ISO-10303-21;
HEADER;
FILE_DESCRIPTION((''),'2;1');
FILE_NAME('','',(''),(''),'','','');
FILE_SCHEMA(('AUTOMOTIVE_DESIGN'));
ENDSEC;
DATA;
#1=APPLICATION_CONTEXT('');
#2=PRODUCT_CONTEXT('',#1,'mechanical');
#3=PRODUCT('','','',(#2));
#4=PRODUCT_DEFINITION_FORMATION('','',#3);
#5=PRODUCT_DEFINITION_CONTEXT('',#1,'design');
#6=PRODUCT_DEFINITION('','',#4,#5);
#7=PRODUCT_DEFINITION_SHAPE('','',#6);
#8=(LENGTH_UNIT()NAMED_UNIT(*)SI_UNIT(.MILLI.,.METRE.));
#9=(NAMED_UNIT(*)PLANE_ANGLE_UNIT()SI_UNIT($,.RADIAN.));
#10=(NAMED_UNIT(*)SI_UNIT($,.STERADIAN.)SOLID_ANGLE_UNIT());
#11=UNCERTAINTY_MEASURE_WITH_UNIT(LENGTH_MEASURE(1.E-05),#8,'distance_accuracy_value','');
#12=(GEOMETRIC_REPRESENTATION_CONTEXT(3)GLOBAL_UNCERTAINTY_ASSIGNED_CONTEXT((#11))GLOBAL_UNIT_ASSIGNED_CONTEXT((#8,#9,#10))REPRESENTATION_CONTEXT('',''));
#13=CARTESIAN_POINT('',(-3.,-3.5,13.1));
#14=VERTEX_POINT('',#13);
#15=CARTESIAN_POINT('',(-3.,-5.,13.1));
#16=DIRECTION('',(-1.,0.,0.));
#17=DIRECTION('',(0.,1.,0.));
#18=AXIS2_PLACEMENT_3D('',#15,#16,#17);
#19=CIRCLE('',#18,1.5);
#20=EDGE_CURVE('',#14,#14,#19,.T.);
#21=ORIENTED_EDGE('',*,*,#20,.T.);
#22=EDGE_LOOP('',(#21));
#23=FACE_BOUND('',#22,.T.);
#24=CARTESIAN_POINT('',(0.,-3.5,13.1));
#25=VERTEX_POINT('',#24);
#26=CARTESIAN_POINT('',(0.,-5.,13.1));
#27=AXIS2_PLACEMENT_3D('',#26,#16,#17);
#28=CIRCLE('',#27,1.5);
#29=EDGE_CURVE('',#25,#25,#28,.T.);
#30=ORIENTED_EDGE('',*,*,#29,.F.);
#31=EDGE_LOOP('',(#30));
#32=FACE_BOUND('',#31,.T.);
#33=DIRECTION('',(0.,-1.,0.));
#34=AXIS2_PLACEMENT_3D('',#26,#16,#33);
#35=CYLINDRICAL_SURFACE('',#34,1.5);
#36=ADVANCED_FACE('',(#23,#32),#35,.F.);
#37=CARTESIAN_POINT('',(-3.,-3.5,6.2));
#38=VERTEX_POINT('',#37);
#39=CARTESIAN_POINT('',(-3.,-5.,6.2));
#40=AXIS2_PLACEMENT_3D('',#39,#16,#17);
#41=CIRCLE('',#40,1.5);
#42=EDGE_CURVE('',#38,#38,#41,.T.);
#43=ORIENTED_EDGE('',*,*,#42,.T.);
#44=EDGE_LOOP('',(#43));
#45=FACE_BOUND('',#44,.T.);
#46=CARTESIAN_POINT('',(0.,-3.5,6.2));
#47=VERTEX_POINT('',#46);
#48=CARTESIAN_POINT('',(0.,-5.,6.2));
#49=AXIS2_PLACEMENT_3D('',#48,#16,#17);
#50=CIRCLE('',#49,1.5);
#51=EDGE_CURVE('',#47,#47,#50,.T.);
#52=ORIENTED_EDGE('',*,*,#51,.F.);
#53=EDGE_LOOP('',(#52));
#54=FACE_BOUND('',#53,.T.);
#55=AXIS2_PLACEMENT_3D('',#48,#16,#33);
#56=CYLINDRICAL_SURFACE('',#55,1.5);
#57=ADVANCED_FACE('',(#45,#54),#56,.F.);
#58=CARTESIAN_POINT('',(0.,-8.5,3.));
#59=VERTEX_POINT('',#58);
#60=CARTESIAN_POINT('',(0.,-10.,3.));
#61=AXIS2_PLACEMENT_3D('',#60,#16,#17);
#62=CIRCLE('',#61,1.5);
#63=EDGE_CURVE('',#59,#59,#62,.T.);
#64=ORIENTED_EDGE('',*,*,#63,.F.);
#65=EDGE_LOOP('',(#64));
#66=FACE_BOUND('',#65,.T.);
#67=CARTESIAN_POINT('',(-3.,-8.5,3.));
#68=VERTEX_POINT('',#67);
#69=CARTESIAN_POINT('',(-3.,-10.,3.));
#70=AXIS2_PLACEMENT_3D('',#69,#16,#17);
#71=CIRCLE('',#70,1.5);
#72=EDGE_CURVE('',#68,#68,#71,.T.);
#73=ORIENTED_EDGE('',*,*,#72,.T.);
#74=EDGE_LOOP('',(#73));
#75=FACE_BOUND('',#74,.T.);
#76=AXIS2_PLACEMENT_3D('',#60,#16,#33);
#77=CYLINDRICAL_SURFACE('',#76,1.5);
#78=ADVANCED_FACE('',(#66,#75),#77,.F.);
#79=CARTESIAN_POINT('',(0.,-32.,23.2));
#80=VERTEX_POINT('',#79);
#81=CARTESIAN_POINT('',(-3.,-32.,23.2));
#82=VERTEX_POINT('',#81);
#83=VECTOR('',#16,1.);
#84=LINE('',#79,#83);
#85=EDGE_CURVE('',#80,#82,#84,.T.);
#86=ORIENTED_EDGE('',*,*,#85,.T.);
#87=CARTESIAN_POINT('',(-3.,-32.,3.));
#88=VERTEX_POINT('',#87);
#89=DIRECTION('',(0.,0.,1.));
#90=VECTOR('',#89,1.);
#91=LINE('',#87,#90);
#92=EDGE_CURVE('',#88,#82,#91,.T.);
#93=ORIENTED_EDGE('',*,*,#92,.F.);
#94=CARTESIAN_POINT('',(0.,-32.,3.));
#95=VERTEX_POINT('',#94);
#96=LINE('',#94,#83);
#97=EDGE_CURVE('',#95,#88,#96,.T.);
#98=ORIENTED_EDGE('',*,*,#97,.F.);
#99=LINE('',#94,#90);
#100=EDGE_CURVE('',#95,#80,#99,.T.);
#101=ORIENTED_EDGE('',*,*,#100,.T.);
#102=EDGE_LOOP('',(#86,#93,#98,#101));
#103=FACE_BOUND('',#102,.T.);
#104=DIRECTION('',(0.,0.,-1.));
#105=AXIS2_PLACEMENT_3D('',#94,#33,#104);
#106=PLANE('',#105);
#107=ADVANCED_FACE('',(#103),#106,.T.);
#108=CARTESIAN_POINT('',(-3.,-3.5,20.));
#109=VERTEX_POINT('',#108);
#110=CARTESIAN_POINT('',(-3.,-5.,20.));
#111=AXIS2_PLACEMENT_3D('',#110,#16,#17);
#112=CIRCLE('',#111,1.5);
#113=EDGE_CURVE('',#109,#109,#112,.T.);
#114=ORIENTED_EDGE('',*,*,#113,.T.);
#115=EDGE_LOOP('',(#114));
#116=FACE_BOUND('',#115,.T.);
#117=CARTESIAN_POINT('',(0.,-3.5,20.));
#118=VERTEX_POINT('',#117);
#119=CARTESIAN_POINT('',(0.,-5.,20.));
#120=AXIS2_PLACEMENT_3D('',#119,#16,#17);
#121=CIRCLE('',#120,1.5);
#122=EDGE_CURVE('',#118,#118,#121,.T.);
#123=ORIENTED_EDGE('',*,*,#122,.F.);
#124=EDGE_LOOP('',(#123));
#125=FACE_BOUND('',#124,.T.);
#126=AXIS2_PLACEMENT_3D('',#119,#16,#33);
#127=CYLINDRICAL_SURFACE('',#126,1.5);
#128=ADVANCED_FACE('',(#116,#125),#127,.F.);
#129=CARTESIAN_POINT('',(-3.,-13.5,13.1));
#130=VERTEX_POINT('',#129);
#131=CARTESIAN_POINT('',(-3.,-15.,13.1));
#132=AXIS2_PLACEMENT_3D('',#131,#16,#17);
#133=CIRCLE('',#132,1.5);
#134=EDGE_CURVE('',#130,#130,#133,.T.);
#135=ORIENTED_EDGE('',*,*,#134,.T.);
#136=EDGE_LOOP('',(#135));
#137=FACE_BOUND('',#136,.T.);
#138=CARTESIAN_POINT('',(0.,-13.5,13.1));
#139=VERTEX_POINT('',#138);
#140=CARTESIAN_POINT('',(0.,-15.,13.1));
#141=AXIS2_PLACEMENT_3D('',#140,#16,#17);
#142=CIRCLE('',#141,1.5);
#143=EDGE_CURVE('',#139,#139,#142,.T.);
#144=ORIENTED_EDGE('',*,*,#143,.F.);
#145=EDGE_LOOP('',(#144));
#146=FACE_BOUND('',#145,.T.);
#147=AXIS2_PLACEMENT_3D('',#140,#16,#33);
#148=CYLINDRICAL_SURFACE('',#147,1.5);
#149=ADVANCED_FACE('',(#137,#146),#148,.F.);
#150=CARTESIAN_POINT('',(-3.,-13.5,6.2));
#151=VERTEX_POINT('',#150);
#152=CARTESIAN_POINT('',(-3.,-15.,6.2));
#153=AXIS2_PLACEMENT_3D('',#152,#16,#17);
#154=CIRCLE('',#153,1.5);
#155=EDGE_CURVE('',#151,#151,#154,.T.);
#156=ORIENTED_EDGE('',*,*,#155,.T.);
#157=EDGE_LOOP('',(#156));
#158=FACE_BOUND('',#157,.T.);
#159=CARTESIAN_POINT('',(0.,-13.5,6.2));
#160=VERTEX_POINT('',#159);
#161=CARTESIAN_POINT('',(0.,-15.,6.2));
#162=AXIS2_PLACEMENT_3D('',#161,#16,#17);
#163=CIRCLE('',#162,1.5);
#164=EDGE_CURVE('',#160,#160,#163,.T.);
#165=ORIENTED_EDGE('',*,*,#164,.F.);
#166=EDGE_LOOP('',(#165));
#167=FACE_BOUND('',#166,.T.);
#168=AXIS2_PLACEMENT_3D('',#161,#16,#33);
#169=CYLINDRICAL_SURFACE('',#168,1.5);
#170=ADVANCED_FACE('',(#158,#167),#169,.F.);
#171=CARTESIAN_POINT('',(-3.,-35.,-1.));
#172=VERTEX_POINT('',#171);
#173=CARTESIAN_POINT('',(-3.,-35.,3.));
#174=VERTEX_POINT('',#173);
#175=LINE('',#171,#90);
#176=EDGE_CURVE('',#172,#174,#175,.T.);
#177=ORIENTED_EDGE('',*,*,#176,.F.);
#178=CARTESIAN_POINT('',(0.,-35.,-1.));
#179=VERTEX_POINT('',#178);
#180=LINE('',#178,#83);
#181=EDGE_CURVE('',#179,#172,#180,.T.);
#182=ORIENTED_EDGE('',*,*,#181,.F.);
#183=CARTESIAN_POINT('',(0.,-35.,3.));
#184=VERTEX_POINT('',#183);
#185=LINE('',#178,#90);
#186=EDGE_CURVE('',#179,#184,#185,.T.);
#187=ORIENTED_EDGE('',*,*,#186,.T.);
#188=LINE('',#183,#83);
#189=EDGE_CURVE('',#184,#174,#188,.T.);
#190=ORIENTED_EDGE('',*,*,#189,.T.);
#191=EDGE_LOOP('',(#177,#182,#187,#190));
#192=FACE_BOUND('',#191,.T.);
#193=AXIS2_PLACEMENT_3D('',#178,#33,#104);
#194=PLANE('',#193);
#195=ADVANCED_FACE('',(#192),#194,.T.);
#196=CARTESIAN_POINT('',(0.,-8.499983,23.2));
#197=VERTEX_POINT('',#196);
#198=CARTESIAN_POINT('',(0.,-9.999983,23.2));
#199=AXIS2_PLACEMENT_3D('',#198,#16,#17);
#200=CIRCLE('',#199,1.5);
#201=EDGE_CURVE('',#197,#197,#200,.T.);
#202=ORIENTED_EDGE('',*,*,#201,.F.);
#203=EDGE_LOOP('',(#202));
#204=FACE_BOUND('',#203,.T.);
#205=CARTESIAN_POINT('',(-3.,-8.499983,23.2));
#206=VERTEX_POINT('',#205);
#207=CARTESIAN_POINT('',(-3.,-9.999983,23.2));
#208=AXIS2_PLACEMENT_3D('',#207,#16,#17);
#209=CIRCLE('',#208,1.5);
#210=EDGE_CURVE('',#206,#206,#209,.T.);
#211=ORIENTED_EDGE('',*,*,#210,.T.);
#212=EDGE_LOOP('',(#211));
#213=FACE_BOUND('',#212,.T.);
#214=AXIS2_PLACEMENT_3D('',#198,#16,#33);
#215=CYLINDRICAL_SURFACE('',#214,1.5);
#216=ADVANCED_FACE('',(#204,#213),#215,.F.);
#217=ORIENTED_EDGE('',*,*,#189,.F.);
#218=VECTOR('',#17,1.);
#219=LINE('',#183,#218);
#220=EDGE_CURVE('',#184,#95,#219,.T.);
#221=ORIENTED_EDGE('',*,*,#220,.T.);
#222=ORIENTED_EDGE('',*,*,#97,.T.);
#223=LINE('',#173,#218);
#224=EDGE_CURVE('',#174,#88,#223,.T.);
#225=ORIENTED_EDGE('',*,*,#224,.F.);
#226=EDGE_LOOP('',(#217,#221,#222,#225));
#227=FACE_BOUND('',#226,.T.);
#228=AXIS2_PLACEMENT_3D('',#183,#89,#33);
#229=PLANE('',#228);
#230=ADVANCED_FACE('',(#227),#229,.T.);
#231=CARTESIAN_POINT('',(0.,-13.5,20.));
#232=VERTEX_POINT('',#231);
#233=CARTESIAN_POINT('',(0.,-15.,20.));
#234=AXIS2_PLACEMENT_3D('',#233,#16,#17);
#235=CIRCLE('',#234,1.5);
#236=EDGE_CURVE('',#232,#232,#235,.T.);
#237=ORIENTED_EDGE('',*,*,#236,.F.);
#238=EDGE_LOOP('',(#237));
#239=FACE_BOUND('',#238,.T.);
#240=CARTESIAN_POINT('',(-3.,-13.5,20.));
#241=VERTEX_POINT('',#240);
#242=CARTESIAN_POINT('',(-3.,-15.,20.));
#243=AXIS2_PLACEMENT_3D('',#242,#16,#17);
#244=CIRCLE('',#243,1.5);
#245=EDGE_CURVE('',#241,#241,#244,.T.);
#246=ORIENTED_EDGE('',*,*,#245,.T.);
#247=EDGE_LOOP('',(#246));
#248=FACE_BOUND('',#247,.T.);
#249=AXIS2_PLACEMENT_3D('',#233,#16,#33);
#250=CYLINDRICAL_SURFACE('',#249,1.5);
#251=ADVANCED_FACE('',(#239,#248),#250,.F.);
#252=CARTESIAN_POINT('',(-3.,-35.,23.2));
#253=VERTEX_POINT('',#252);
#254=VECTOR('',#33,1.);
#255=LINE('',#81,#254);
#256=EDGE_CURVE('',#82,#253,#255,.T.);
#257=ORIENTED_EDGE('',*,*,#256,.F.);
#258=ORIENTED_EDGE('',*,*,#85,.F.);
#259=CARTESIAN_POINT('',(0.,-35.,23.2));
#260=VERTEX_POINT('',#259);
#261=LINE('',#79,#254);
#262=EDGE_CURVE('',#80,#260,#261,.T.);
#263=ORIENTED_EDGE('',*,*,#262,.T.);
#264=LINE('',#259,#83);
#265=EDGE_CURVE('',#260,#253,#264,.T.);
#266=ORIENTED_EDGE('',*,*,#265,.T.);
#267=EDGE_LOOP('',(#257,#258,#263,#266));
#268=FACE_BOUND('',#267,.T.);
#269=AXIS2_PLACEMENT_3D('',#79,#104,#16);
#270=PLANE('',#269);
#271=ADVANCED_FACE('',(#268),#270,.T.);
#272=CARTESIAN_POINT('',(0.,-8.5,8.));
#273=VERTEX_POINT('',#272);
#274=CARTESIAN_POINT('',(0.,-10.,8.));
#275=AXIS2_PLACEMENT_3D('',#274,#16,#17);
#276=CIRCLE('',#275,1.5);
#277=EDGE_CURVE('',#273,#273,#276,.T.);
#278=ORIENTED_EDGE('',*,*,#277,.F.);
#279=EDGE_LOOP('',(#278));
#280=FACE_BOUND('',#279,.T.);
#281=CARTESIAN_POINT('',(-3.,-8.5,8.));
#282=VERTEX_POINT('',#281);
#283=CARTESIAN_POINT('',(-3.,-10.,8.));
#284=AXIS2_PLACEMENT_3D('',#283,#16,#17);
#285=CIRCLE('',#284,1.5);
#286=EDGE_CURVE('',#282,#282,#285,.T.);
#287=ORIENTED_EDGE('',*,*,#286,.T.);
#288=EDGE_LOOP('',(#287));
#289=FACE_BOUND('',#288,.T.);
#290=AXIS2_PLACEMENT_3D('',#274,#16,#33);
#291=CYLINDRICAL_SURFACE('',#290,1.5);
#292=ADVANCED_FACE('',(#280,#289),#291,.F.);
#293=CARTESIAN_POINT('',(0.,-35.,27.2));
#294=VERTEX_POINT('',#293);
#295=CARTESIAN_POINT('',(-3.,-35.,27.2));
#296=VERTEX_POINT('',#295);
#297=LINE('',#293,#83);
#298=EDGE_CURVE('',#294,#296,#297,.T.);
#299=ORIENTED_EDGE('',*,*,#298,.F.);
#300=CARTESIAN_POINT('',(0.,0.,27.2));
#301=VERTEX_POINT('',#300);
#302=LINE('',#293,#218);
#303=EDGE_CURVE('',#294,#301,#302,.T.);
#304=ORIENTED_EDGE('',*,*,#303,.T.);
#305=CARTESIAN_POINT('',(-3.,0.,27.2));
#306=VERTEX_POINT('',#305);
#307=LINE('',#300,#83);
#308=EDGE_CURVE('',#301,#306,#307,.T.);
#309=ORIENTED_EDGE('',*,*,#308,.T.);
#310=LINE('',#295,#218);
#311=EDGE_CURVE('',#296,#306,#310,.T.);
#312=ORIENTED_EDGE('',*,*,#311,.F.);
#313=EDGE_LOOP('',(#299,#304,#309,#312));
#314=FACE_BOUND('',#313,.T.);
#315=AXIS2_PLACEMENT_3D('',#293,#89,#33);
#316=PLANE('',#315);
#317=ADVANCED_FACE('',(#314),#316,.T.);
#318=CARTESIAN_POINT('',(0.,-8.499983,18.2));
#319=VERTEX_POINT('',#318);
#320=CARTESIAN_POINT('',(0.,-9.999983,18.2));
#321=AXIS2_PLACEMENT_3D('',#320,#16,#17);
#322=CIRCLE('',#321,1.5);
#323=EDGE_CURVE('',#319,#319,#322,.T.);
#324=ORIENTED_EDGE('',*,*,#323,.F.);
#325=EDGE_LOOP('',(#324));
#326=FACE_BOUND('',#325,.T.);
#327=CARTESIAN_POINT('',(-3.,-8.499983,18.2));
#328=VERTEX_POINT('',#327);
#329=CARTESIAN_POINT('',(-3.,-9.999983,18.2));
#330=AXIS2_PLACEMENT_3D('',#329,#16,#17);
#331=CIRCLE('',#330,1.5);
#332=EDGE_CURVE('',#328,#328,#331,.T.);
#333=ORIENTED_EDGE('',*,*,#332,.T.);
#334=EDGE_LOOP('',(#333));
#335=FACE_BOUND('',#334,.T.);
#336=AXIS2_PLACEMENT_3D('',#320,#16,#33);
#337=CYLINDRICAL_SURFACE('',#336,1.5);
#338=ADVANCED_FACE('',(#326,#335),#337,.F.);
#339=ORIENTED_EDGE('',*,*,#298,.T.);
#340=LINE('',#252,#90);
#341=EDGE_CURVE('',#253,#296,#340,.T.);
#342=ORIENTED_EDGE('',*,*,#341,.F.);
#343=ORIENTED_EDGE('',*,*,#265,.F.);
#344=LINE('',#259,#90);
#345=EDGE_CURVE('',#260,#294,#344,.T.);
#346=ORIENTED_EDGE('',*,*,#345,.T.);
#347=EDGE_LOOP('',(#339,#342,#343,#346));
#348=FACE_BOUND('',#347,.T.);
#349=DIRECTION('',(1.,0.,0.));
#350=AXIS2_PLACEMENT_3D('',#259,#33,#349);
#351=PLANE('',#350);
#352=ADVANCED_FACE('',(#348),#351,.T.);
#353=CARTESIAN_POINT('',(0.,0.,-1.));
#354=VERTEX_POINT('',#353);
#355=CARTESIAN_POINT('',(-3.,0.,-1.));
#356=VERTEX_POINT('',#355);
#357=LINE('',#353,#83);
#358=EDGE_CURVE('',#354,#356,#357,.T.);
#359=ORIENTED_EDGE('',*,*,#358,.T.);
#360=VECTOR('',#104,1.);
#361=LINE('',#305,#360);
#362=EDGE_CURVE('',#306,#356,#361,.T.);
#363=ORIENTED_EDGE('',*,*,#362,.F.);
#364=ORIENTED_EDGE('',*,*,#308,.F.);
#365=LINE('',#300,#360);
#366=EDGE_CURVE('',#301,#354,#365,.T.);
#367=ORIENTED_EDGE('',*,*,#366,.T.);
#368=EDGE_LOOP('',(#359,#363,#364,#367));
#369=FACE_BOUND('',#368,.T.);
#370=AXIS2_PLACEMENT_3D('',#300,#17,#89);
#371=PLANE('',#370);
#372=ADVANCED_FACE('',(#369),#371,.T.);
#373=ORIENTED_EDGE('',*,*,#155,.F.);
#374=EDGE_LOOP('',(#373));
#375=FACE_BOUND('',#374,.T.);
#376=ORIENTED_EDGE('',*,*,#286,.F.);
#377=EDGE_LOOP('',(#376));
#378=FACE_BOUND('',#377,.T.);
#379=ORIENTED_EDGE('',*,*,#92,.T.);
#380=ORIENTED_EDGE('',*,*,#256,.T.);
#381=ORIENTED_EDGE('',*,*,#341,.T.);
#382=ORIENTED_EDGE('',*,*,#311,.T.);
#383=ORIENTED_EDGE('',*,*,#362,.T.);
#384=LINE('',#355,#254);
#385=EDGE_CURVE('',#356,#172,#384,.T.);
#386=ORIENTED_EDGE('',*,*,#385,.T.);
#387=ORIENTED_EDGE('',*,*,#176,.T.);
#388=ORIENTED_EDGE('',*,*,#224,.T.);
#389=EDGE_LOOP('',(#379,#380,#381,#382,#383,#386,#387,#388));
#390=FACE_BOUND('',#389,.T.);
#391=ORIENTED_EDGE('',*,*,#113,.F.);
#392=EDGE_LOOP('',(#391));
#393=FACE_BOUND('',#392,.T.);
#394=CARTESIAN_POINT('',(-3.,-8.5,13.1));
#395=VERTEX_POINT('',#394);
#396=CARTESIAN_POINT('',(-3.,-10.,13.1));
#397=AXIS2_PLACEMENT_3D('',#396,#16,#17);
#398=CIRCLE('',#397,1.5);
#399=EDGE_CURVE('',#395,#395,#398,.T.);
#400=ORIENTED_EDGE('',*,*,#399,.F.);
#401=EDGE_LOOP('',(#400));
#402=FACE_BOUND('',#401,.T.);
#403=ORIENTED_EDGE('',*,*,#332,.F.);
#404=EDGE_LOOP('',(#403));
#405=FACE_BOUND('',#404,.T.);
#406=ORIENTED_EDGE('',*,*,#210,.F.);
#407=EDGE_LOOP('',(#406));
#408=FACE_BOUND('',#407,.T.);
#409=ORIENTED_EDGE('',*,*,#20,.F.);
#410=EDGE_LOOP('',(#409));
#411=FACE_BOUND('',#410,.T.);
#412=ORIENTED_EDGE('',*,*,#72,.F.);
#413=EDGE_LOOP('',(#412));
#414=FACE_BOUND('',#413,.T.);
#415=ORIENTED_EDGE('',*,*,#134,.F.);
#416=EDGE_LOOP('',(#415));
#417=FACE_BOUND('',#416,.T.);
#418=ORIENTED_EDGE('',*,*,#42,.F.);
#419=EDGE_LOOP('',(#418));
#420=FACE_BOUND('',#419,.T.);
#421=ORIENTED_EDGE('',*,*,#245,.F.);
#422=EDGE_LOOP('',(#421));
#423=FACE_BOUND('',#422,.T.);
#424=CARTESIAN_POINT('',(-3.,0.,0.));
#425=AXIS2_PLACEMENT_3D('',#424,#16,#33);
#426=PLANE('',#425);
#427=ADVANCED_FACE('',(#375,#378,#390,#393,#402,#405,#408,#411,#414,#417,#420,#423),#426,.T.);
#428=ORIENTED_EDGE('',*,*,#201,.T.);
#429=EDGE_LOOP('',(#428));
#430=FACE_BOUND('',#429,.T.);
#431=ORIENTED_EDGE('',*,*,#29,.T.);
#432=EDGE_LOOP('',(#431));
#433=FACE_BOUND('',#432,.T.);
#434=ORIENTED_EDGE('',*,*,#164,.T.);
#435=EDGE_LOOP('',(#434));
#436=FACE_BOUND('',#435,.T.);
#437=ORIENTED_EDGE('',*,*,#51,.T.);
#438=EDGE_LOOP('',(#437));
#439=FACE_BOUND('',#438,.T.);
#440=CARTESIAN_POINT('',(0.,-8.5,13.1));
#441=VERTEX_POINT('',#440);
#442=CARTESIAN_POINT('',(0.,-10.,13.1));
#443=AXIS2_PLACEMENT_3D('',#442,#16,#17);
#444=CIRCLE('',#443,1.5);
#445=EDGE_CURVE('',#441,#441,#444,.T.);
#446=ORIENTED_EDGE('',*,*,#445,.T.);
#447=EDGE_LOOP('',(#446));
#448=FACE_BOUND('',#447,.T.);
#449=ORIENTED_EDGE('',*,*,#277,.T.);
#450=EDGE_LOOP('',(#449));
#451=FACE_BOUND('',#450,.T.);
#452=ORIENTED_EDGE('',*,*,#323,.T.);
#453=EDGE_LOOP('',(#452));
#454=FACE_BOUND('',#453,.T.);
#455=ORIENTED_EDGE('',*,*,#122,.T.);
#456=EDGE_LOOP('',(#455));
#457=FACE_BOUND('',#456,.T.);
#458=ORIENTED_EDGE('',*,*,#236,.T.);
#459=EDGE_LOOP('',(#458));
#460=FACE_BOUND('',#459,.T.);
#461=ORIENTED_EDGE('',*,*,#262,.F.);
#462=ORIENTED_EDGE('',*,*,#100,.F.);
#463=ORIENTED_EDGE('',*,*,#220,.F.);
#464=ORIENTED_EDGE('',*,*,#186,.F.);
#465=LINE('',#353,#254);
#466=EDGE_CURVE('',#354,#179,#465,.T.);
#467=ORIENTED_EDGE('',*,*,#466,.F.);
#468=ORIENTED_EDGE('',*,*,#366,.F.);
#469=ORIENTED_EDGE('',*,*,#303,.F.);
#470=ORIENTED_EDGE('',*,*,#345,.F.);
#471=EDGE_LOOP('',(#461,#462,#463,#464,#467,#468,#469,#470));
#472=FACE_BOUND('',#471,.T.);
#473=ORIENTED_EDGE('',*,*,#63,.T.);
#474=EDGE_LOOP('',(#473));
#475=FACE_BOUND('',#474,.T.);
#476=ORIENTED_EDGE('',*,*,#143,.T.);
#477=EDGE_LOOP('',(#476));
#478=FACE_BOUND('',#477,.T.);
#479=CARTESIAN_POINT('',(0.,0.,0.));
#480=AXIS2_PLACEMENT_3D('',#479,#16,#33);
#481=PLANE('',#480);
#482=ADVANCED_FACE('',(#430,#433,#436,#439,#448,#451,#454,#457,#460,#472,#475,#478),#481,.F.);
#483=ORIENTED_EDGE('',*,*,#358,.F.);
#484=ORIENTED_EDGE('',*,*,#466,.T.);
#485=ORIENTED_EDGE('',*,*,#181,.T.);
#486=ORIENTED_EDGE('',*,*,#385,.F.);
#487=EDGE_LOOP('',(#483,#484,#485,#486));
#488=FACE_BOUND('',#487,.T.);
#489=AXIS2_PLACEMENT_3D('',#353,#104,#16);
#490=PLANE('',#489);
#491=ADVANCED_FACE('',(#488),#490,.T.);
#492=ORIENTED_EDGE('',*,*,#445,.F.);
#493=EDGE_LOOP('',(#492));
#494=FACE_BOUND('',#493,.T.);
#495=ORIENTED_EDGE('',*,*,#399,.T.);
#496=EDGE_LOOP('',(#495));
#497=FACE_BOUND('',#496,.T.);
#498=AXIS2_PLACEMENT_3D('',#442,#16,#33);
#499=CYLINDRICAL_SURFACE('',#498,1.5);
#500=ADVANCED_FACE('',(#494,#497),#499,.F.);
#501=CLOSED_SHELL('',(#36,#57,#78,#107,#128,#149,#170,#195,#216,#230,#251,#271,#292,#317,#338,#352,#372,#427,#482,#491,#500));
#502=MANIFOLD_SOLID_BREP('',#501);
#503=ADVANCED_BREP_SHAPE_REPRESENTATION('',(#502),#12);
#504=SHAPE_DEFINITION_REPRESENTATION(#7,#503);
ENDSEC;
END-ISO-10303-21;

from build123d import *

# Parameters (mm, degrees)
ESQUISSE1_R        = 1.5
BOSS_EXTRU_1_DEPTH = 3


with BuildPart() as part:
    # Esquisse1 → Boss.-Extru.1 (new body)
    with BuildSketch(Plane(origin=(-3, 0, 0), x_dir=(0, -1, 0), z_dir=(-1, 0, 0))):
        Polygon((35, 27.2), (0, 27.2), (0, -1), (35, -1), (35, 3), (32, 3), (32, 23.2), (35, 23.2), align=None)
        with Locations(Location((5, 6.2, 0), (0, 0, 180))):
            Circle(ESQUISSE1_R, mode=Mode.SUBTRACT)
        with Locations(Location((10, 8, 0), (0, 0, 180))):
            Circle(ESQUISSE1_R, mode=Mode.SUBTRACT)
        with Locations(Location((15, 20, 0), (0, 0, 180))):
            Circle(ESQUISSE1_R, mode=Mode.SUBTRACT)
        with Locations(Location((5, 20, 0), (0, 0, 180))):
            Circle(ESQUISSE1_R, mode=Mode.SUBTRACT)
        with Locations(Location((15, 6.2, 0), (0, 0, 180))):
            Circle(ESQUISSE1_R, mode=Mode.SUBTRACT)
        with Locations(Location((10, 13.1, 0), (0, 0, 180))):
            Circle(ESQUISSE1_R, mode=Mode.SUBTRACT)
        with Locations(Location((10, 3, 0), (0, 0, 180))):
            Circle(ESQUISSE1_R, mode=Mode.SUBTRACT)
        with Locations(Location((5, 13.1, 0), (0, 0, 180))):
            Circle(ESQUISSE1_R, mode=Mode.SUBTRACT)
        with Locations(Location((15, 13.1, 0), (0, 0, 180))):
            Circle(ESQUISSE1_R, mode=Mode.SUBTRACT)
        with Locations(Location((9.99998284, 23.2, 0), (0, 0, 180))):
            Circle(ESQUISSE1_R, mode=Mode.SUBTRACT)
        with Locations(Location((9.99998284, 18.2, 0), (0, 0, 180))):
            Circle(ESQUISSE1_R, mode=Mode.SUBTRACT)
    extrude(amount=-BOSS_EXTRU_1_DEPTH)


solid = part.part
